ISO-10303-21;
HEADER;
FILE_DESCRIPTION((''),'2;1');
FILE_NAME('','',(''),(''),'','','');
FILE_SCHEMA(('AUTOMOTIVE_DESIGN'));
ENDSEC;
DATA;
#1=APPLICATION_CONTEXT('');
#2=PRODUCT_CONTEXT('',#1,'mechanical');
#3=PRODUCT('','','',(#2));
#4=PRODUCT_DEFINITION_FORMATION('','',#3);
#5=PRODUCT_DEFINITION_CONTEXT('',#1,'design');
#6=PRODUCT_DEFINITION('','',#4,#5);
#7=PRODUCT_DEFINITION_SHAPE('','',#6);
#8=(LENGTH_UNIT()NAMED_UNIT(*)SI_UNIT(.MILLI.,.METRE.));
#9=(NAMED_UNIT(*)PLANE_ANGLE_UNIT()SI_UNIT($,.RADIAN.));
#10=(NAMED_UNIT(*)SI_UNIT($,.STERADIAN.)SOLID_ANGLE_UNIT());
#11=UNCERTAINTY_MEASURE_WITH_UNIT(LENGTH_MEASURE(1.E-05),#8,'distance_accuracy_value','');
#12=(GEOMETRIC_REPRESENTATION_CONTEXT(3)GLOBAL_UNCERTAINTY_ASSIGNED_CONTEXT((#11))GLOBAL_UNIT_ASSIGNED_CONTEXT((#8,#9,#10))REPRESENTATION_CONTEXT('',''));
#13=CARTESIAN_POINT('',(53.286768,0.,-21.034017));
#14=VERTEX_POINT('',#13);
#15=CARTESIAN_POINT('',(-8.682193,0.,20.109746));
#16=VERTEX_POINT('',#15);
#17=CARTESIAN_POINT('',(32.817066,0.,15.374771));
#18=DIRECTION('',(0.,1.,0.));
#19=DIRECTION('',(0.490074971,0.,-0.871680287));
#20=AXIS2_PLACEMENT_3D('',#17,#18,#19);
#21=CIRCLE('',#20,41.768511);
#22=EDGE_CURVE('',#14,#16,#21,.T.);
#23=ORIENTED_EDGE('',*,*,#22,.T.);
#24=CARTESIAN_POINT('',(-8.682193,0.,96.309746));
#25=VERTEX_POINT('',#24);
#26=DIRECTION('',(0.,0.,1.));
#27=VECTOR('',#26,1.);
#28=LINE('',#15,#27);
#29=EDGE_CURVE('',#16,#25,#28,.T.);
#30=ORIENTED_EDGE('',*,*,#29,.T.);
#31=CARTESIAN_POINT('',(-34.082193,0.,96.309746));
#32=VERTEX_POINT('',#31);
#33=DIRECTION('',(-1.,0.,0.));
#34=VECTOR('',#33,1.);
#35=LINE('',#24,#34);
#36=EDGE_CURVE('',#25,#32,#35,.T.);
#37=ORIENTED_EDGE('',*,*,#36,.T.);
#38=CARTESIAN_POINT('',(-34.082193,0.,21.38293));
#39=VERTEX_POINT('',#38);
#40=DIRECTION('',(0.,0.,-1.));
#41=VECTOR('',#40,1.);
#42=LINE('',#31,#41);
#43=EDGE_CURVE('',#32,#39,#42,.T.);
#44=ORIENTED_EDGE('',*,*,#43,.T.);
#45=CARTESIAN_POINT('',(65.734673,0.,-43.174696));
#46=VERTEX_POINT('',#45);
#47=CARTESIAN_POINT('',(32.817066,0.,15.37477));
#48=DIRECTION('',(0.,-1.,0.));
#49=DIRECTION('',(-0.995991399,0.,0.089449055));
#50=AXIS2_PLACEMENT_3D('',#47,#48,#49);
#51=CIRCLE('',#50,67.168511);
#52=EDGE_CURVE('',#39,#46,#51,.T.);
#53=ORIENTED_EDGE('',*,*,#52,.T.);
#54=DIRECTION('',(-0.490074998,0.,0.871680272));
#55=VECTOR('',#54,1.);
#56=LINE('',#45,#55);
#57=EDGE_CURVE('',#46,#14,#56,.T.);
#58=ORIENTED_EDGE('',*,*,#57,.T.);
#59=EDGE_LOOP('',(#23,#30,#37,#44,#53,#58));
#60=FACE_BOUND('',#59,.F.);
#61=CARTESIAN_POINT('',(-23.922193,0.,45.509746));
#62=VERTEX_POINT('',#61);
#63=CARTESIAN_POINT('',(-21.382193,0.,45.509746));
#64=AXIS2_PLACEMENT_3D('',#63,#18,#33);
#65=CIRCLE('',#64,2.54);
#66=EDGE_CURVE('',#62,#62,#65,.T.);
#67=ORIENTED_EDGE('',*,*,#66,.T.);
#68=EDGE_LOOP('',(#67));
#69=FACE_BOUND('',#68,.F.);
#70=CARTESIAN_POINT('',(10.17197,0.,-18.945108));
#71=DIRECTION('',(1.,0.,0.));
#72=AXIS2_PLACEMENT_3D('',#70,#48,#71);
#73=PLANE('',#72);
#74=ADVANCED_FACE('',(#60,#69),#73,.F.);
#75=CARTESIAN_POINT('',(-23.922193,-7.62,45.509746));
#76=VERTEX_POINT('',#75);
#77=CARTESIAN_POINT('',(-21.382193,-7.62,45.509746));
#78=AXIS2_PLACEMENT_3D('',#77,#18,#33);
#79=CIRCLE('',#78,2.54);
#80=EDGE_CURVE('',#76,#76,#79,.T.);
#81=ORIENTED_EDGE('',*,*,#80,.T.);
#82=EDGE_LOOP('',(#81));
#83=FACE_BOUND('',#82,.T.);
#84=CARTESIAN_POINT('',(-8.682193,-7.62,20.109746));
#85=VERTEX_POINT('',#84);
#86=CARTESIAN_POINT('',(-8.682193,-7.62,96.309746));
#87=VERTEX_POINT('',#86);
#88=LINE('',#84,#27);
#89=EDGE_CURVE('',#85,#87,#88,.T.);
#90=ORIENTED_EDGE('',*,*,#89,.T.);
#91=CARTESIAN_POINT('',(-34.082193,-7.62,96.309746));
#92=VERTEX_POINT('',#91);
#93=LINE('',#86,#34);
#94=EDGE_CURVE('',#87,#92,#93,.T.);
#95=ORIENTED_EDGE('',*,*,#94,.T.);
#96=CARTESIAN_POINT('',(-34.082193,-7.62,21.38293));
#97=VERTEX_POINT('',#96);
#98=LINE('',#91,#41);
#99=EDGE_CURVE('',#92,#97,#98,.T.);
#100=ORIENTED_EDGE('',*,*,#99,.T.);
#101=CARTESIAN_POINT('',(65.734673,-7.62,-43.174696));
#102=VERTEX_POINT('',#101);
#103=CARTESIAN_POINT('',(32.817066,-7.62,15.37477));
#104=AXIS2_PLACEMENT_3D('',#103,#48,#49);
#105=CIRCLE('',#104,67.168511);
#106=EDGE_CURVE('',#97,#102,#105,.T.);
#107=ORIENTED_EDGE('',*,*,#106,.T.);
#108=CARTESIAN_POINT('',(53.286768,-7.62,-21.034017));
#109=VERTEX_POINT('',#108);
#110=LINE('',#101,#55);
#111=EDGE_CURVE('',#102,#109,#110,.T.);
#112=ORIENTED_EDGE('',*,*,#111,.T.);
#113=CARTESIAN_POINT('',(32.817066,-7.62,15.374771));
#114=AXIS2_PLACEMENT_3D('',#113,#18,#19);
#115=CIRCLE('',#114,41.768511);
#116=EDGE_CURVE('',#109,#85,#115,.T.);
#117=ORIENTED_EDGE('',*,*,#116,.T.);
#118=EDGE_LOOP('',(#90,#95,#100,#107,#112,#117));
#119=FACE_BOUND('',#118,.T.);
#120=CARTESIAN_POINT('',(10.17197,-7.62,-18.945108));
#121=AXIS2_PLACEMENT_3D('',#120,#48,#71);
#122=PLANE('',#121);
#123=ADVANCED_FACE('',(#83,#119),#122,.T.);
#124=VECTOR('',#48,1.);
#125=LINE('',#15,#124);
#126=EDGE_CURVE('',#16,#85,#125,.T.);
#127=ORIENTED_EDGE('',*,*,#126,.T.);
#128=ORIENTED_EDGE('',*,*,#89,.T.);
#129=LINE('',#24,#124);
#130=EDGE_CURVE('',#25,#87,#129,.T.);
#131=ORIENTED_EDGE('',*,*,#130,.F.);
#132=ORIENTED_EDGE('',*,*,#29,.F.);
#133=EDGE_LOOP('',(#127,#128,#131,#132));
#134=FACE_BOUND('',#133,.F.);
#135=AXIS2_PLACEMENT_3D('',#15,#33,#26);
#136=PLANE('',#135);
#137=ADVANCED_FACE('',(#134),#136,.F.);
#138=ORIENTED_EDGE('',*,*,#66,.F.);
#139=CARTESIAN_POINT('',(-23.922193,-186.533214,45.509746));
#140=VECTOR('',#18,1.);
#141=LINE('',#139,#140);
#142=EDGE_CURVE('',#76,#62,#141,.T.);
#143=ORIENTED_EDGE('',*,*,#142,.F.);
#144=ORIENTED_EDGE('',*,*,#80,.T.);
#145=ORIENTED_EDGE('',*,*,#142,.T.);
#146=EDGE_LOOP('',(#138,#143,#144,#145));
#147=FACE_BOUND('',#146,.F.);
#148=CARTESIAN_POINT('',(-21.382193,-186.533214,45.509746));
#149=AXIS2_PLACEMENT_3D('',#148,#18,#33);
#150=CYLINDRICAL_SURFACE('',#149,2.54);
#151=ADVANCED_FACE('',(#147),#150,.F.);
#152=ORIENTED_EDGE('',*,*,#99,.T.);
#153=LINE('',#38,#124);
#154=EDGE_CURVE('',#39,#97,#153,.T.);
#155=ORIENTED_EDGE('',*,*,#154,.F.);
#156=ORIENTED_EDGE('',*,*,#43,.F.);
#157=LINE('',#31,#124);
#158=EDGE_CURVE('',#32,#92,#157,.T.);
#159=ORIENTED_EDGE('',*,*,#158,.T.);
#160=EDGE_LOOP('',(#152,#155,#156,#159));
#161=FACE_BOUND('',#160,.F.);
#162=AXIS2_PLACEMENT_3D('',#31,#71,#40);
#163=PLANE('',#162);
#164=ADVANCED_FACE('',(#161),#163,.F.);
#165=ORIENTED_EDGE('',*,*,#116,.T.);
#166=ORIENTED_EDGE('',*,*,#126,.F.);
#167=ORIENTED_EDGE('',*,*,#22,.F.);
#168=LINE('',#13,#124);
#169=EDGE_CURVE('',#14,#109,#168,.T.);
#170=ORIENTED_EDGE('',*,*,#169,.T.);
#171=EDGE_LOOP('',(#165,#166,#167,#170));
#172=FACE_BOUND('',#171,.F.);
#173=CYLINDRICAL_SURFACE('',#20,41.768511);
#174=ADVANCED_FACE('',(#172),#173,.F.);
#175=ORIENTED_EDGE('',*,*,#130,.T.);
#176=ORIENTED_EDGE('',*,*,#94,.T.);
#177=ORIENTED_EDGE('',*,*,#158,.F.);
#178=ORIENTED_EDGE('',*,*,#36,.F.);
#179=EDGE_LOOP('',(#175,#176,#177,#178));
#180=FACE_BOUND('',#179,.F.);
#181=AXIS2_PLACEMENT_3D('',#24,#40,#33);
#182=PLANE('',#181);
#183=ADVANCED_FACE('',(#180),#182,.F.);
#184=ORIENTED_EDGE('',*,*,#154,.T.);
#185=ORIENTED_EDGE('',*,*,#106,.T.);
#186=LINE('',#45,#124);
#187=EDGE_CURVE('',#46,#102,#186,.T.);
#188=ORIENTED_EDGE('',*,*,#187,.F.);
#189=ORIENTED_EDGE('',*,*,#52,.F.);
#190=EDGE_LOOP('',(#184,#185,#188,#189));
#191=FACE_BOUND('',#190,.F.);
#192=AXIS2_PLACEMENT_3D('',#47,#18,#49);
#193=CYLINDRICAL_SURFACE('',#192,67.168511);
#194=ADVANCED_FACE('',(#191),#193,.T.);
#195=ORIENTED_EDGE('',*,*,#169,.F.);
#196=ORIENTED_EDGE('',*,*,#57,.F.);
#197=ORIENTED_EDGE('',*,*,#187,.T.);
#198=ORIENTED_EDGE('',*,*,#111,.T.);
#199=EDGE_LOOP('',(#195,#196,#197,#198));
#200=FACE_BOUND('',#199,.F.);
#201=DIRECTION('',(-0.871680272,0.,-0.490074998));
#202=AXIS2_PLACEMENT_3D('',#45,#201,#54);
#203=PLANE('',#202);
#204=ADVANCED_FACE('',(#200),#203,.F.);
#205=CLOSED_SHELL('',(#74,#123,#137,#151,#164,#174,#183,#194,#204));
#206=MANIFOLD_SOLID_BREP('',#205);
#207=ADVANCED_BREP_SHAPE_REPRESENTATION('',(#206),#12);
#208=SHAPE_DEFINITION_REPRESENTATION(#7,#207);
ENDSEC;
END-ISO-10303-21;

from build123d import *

# Parameters (mm, degrees)
F1_DEPTH = 7.62
F3_D     = 5.08


with BuildPart() as f1:
    # F0 (on Front) → F1 (new body)
    with BuildSketch(Plane.XZ):
        with BuildLine():
            ThreePointArc((53.286768, -21.034017), (9.713758, -19.422437), (-8.682193, 20.109746))
            Line((-8.682193, 20.109746), (-34.082193, 20.109746))
            Line((-34.082193, 20.109746), (-34.082193, 21.38293))
            ThreePointArc((-34.082193, 21.38293), (-3.66046, -41.025575), (65.734673, -43.174696))
            Line((65.734673, -43.174696), (53.286768, -21.034017))
        make_face()
        Polygon((-34.082193, 20.109746), (-8.682193, 20.109746), (-8.682193, 96.309746), (-34.082193, 96.309746), (-34.082193, 21.38293), align=None)
    extrude(amount=F1_DEPTH)

    # F3 (through all)
    with Locations(Plane.XZ.offset(7.62)):
        with Locations((-21.382193, 45.509746)):
            Hole(F3_D / 2)


solid = f1.part
